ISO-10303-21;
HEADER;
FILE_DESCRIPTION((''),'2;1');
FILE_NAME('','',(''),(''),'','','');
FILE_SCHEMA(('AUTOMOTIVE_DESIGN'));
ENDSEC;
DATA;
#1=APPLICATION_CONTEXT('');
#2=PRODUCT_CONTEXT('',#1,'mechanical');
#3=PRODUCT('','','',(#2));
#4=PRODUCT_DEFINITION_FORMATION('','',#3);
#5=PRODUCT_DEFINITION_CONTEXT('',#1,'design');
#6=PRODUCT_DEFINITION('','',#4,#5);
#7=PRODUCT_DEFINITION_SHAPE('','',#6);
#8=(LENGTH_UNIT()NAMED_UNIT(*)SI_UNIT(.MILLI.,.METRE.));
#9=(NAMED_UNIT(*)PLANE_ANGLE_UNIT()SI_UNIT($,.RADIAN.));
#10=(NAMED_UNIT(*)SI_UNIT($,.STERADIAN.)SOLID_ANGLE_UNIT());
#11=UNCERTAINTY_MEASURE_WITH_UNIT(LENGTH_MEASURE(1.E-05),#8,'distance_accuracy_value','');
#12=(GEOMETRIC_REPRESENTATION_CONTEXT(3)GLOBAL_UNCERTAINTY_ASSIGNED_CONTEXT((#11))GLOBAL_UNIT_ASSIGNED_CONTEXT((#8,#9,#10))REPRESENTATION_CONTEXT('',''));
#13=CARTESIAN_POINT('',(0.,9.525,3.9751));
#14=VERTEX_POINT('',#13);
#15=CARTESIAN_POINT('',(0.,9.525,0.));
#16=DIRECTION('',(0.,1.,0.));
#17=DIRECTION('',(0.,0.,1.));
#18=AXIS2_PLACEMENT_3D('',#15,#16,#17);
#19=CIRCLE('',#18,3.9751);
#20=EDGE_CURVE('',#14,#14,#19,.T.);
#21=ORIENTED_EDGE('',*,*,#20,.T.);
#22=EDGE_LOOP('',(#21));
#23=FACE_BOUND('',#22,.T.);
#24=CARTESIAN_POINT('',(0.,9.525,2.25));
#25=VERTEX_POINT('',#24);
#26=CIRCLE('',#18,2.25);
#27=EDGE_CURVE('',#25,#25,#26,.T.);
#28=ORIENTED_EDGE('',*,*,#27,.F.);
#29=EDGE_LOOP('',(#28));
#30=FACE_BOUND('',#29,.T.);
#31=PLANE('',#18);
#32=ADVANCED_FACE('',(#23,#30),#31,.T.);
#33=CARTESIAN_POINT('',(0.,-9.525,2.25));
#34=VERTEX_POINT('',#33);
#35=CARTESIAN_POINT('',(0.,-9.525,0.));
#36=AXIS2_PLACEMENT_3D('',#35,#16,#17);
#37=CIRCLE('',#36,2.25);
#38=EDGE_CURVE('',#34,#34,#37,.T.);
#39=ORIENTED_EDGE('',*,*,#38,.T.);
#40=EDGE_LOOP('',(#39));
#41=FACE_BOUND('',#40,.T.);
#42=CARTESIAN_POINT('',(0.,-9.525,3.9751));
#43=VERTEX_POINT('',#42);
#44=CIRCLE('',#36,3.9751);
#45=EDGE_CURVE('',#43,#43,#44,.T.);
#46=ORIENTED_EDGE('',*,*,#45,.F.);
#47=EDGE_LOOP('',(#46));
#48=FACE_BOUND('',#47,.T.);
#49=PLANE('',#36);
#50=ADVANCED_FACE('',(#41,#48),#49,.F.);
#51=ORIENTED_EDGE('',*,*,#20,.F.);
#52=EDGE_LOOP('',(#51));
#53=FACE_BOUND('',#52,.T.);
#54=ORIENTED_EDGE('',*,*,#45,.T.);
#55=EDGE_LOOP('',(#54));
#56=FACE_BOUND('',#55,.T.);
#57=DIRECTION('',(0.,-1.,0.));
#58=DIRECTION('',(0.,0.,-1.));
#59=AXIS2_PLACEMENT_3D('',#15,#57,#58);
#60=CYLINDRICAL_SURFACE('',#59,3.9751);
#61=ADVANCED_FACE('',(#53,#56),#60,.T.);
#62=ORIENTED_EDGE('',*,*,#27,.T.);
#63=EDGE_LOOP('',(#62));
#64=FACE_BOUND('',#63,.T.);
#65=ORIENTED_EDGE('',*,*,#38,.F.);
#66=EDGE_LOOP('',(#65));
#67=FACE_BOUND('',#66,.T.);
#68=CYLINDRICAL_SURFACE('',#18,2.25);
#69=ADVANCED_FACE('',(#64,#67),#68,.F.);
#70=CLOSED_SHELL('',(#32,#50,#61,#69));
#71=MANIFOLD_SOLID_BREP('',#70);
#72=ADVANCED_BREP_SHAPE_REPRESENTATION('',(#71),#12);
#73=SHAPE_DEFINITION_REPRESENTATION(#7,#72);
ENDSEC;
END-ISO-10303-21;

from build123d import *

# Parameters (mm, degrees)
SKETCH2_R            = 3.9751
BOSS_EXTRUDE1_DEPTH  = 9.525
M4_CLEARANCE_HOLE1_D = 4.5


with BuildPart() as part:
    # Sketch2 → Boss-Extrude1 (new body, symmetric)
    with BuildSketch(Plane(origin=(0, 0, 0), x_dir=(1, 0, 0), z_dir=(0, 1, 0))):
        Circle(SKETCH2_R)
    extrude(amount=BOSS_EXTRUDE1_DEPTH, both=True)

    # M4 Clearance Hole1 (through all)
    with Locations(Plane(origin=(0, 9.525, 0), x_dir=(1, 0, 0), z_dir=(0, 1, 0))):
        with Locations((0, 0)):
            Hole(M4_CLEARANCE_HOLE1_D / 2)


solid = part.part
